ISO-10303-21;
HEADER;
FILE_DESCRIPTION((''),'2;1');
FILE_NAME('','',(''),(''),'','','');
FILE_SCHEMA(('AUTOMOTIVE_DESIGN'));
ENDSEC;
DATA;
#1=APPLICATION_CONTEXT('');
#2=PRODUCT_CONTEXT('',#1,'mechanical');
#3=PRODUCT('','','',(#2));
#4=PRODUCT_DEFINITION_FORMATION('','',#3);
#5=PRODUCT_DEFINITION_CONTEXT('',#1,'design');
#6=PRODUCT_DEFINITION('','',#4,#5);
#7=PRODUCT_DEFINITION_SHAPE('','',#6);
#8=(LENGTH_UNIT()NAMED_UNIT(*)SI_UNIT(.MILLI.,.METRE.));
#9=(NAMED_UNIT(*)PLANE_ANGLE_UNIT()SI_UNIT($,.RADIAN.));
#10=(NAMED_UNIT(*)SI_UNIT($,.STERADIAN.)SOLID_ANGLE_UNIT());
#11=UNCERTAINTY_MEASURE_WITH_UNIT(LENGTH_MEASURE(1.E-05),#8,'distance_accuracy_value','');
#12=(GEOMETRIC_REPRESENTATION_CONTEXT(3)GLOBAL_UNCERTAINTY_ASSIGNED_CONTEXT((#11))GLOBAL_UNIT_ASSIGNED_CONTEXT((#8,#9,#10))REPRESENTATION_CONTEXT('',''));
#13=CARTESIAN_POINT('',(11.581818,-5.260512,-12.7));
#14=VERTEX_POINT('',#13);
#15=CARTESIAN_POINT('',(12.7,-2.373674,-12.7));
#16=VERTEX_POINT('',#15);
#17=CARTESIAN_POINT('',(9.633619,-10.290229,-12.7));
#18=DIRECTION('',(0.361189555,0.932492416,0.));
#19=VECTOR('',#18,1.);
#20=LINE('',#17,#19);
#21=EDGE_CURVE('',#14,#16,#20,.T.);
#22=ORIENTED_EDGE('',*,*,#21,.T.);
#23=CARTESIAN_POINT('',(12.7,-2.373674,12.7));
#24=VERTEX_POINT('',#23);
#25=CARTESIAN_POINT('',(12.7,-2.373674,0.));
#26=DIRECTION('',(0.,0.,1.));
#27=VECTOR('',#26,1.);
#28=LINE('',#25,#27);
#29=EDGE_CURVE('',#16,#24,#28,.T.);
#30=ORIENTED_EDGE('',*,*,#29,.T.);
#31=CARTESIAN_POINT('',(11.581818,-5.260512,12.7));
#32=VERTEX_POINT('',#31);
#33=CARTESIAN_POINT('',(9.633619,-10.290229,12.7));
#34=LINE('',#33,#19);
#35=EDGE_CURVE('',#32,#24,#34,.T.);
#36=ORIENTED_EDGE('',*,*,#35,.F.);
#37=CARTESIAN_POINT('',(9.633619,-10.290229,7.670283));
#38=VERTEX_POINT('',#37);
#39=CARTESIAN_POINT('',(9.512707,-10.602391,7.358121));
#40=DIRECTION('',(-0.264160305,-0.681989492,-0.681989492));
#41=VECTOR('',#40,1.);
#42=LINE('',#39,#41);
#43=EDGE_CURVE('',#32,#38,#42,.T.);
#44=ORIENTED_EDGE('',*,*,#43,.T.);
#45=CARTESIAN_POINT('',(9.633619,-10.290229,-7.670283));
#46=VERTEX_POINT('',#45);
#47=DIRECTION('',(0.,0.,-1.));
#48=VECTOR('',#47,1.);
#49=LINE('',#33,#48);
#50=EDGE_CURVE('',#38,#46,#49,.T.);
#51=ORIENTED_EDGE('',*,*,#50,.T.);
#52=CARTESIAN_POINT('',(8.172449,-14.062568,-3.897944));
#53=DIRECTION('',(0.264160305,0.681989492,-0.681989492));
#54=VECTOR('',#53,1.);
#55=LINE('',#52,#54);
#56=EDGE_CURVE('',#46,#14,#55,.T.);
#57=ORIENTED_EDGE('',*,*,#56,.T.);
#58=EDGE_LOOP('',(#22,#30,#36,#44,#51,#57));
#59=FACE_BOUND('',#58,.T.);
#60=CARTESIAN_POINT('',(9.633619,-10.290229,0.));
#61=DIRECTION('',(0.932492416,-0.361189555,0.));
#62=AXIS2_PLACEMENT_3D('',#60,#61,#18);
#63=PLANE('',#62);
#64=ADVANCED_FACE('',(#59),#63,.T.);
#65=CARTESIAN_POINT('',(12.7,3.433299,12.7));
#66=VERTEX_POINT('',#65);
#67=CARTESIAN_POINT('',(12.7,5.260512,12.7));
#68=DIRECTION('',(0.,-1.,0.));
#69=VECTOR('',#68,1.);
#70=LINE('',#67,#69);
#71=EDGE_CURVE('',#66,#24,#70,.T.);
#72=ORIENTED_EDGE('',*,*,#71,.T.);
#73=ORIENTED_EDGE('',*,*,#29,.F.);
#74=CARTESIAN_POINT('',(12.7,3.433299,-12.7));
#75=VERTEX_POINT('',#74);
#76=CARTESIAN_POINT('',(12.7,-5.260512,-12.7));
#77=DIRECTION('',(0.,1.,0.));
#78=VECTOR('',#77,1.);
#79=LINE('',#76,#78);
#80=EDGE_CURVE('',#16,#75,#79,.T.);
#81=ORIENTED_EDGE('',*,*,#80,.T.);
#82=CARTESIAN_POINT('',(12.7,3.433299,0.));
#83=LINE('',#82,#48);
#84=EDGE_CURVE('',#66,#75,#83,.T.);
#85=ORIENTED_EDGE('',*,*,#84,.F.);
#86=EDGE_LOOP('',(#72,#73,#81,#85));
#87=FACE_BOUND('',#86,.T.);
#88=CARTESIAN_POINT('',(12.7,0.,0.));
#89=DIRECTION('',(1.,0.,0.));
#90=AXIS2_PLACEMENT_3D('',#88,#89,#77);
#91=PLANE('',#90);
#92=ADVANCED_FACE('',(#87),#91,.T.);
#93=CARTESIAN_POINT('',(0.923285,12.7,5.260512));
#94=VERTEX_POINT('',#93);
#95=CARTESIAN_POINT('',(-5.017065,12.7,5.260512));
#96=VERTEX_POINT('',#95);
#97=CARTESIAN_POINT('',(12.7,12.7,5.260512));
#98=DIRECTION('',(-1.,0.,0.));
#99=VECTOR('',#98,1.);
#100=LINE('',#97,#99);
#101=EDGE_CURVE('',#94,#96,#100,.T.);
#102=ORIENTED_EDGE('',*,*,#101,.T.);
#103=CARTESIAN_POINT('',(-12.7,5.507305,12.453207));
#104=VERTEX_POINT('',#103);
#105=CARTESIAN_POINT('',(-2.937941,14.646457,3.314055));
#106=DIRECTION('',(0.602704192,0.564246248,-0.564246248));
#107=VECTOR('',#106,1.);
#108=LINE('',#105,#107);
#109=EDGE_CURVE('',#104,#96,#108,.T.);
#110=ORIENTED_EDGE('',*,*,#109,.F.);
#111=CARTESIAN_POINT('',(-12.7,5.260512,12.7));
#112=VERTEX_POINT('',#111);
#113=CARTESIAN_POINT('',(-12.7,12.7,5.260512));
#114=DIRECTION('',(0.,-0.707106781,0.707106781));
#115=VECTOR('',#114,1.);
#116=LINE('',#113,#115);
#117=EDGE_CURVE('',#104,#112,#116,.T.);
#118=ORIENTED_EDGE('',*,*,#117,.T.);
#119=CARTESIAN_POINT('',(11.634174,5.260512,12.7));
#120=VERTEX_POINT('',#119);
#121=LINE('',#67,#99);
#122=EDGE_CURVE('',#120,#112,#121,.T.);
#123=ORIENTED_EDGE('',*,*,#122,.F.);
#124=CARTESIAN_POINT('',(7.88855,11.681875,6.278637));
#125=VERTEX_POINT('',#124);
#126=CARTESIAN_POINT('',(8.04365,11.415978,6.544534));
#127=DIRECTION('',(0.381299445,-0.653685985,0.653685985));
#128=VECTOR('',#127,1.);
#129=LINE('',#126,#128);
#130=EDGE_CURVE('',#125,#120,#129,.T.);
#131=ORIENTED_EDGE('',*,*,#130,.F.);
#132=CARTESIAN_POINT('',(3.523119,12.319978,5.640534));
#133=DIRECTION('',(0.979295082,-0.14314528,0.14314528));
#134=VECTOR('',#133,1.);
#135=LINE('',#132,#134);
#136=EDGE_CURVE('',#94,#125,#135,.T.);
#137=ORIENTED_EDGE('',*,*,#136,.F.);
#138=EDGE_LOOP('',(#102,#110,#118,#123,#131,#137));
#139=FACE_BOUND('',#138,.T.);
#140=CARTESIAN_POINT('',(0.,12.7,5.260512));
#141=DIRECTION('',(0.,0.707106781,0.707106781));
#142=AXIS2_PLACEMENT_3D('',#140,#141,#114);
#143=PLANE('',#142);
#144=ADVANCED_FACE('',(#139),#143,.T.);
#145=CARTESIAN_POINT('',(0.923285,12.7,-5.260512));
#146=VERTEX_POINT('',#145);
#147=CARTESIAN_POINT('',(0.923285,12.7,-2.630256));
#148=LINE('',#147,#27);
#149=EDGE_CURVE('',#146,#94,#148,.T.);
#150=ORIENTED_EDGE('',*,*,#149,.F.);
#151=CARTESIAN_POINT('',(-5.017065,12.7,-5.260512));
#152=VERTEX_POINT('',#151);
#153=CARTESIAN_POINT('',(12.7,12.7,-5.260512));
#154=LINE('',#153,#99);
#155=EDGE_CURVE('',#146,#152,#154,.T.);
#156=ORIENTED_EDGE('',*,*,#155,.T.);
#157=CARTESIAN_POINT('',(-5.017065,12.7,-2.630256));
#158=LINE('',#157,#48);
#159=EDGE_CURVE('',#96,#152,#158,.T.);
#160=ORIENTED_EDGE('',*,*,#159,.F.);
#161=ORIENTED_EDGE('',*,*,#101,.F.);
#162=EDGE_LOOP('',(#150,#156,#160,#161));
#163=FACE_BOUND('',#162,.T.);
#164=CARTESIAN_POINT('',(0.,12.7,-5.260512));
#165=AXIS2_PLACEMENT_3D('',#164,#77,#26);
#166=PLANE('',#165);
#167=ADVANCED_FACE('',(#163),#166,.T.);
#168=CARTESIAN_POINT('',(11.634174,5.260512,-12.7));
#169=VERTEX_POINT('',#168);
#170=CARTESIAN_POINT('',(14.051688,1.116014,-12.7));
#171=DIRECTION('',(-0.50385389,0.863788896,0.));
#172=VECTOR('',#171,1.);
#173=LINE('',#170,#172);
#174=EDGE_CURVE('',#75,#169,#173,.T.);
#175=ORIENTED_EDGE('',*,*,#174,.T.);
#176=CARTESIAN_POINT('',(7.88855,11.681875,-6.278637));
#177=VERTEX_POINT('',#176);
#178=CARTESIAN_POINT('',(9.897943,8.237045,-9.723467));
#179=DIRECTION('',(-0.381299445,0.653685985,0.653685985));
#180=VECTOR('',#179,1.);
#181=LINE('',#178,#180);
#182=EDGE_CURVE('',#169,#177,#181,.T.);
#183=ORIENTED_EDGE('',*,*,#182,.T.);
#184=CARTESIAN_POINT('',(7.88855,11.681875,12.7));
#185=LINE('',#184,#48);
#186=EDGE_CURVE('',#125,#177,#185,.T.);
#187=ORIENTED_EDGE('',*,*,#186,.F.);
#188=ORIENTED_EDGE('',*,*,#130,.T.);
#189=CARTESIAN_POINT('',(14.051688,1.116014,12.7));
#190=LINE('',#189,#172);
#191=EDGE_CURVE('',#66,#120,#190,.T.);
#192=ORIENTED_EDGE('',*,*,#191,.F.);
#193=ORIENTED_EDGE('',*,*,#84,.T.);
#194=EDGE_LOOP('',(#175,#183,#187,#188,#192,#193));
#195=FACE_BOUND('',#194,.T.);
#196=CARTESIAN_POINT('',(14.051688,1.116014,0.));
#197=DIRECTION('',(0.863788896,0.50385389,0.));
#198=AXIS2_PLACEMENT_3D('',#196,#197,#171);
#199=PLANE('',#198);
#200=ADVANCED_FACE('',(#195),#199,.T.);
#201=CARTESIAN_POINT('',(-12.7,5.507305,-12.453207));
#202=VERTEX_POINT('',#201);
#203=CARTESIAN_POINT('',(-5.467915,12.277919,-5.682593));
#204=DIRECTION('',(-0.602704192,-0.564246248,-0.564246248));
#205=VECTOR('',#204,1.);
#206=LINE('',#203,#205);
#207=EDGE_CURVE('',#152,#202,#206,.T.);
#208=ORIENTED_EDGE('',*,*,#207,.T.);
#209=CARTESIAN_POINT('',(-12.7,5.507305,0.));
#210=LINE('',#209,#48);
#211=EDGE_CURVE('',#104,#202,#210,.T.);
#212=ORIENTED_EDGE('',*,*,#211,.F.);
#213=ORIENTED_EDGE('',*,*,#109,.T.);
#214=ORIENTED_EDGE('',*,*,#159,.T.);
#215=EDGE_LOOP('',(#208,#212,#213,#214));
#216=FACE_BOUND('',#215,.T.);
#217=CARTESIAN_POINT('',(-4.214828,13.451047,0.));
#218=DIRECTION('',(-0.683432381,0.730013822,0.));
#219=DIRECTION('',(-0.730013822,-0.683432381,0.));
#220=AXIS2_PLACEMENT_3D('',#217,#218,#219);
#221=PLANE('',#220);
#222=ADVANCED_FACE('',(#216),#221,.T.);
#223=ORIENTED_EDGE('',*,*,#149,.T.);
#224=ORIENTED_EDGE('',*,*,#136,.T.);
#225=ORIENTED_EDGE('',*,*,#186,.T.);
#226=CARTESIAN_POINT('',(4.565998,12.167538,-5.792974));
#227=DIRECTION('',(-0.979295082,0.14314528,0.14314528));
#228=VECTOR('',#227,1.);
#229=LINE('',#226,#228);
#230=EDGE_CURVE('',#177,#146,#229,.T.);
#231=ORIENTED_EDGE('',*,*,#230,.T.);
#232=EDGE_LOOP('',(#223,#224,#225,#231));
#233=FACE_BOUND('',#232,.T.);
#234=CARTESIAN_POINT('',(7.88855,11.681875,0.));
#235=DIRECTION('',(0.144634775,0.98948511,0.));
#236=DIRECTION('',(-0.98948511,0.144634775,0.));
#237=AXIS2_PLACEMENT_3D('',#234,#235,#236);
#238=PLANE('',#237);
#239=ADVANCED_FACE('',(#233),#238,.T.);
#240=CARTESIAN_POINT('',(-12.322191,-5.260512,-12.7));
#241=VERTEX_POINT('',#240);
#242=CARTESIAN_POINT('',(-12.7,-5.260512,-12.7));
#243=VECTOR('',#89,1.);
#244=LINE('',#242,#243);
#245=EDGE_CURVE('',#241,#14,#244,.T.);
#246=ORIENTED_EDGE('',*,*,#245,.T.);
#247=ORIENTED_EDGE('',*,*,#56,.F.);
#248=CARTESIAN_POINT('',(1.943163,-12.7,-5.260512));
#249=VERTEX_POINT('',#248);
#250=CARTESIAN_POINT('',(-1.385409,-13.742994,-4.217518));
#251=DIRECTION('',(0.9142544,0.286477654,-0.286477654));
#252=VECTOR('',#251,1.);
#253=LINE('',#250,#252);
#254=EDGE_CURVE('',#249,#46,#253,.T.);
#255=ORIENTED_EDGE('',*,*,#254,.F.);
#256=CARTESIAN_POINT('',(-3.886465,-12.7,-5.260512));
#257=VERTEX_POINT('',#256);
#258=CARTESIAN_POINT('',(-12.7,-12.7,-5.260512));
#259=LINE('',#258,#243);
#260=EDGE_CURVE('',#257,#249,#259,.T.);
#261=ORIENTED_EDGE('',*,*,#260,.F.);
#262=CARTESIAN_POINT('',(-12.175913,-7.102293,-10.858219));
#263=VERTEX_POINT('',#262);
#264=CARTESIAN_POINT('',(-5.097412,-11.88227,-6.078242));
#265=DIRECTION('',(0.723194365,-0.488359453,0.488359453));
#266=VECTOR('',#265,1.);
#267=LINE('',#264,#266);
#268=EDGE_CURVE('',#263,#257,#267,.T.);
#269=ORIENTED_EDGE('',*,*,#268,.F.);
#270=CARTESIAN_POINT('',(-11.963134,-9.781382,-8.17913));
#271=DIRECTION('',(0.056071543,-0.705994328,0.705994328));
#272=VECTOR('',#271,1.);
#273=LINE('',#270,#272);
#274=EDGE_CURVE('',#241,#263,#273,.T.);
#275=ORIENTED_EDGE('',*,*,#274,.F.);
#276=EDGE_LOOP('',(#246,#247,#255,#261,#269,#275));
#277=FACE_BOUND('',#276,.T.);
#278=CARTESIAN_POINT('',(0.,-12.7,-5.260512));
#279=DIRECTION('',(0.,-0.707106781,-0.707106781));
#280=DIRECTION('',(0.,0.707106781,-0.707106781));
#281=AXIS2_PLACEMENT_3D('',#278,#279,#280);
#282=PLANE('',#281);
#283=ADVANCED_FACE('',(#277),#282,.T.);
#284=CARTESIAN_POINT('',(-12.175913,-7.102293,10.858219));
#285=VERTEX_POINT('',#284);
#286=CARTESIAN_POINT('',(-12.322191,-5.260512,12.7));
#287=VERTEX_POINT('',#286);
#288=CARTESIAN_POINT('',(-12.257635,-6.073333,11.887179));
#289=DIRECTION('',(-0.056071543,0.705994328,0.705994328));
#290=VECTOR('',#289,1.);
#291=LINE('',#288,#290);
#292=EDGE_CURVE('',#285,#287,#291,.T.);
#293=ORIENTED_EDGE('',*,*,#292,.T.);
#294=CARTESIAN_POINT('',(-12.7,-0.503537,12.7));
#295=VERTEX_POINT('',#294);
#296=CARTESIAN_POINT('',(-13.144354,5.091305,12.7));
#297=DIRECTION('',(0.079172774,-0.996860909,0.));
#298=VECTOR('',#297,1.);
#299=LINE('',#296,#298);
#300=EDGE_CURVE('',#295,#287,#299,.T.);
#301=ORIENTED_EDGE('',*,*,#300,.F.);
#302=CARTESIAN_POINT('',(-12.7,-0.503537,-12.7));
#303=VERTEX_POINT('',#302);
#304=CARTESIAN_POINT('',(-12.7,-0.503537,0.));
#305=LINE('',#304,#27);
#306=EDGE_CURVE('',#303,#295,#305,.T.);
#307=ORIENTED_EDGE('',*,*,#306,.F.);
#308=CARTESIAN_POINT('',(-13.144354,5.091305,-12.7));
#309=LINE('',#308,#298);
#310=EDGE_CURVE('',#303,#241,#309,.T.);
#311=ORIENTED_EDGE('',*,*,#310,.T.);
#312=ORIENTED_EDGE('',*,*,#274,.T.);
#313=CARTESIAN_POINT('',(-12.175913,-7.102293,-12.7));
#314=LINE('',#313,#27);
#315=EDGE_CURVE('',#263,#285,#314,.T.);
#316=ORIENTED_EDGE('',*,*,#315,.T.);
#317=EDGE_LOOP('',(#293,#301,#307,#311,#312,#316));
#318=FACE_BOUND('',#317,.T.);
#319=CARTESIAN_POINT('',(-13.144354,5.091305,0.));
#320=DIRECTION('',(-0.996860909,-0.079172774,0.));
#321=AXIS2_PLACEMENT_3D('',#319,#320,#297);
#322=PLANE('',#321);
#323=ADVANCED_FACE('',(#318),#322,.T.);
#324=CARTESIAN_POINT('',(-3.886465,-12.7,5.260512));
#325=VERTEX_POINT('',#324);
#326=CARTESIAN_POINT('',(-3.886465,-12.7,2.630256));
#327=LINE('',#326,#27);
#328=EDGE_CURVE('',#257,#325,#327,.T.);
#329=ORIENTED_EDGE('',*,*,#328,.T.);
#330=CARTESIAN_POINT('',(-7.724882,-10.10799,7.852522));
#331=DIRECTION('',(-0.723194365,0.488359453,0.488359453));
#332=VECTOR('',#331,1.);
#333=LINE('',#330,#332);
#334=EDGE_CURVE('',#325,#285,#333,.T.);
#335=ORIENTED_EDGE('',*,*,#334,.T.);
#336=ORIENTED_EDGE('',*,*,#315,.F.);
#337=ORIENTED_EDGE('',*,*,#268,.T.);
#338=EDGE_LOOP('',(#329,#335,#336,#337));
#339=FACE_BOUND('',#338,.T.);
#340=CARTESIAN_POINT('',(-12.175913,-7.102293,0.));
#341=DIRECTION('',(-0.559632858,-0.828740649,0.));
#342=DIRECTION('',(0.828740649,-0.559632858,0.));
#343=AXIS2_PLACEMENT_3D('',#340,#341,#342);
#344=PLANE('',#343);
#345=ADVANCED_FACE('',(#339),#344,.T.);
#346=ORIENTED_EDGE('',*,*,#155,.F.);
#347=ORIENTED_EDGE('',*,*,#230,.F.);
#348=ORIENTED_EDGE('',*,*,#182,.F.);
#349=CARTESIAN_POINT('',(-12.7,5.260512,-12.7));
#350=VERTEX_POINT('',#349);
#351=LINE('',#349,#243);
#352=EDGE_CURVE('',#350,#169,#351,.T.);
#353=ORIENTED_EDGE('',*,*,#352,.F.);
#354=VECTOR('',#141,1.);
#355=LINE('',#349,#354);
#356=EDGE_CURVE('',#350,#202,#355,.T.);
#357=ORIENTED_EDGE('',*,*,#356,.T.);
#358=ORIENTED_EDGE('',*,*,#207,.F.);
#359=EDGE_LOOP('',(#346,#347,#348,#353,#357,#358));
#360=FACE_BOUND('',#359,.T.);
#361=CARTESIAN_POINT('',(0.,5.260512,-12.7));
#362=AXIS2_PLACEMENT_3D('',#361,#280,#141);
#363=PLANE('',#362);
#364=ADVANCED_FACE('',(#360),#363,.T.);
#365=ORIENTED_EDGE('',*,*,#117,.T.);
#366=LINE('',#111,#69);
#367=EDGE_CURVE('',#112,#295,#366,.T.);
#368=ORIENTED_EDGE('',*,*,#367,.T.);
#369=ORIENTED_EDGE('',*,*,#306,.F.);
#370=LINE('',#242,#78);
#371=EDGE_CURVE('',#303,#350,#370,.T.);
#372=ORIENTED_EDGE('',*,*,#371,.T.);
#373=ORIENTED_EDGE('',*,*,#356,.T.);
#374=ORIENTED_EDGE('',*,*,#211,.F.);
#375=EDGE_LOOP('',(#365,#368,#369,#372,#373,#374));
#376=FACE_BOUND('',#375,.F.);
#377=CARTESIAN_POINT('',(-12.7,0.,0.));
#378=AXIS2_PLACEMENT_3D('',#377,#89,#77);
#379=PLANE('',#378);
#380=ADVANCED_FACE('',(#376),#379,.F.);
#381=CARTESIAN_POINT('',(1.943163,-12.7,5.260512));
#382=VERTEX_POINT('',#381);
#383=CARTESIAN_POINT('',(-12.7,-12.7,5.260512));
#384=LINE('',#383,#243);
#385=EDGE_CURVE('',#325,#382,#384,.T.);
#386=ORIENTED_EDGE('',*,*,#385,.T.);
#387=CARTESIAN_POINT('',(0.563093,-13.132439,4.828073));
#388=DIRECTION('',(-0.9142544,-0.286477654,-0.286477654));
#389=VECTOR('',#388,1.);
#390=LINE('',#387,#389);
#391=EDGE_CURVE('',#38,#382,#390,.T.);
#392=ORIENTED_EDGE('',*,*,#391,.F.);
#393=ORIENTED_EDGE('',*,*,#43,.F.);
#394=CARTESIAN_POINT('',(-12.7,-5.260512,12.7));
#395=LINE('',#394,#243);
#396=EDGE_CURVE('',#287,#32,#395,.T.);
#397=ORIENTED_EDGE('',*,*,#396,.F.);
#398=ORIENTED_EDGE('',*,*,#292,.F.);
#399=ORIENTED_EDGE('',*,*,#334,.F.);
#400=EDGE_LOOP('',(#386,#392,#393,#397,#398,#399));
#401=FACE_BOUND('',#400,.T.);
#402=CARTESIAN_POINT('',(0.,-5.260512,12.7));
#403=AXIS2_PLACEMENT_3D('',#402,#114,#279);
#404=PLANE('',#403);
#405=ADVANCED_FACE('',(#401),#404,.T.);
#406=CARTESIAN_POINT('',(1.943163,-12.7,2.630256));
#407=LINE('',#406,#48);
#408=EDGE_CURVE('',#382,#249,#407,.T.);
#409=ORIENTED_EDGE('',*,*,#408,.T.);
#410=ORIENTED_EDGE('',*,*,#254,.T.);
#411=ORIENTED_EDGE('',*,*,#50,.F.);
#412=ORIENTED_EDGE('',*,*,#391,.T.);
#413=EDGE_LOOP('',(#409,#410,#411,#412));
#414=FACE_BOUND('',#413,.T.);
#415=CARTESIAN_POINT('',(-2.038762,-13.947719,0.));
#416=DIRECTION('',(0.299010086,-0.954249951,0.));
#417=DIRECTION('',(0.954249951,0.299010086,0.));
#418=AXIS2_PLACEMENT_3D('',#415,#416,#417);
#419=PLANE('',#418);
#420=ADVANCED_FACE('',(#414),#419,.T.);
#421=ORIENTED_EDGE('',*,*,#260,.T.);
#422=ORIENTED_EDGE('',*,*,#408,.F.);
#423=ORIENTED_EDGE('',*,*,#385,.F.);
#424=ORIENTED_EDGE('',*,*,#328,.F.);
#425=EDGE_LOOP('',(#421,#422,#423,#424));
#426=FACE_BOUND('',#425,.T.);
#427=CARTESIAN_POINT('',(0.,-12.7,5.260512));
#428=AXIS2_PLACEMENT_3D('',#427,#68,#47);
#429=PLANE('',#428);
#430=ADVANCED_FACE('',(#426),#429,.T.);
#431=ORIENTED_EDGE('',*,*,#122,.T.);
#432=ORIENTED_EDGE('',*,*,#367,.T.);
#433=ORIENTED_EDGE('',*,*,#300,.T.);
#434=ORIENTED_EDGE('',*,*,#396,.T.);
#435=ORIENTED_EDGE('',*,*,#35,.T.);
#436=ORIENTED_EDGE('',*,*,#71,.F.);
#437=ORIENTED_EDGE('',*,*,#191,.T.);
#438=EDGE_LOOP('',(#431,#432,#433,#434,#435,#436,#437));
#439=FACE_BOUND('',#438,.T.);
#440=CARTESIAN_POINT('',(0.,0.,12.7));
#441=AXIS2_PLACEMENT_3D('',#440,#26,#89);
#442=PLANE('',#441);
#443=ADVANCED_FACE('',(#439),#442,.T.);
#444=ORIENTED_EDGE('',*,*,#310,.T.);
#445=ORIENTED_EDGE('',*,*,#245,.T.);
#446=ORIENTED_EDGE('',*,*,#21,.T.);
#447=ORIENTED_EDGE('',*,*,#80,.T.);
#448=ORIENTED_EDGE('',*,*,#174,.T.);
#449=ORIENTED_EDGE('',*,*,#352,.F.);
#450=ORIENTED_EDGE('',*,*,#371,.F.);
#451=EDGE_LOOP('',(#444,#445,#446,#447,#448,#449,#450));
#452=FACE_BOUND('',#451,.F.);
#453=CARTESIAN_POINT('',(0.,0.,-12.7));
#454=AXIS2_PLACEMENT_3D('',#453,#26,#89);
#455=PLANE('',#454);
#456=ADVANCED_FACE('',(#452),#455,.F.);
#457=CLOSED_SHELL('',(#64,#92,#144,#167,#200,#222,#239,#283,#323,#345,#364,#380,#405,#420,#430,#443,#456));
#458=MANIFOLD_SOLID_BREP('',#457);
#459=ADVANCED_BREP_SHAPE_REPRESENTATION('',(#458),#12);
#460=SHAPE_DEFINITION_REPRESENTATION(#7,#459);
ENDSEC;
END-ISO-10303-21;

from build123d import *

# Parameters (mm, degrees)
F1_DEPTH = 12.7
F3_DEPTH = 12.7


with BuildPart() as f1:
    # F0 (on Top) → F1 (new body, symmetric)
    with BuildSketch(Plane.XY):
        Polygon((7.88855, 11.681875), (-4.214828, 13.451047), (-13.144354, 5.091305), (-12.175913, -7.102293), (-2.038762, -13.947719), (9.633619, -10.290229), (14.051688, 1.116014), align=None)
    extrude(amount=F1_DEPTH, both=True)

    # F2 (on Right) → F3 (intersect, symmetric)
    with BuildSketch(Plane.YZ):
        Polygon((5.260512, 12.7), (-5.260512, 12.7), (-12.7, 5.260512), (-12.7, -5.260512), (-5.260512, -12.7), (5.260512, -12.7), (12.7, -5.260512), (12.7, 5.260512), align=None)
    extrude(amount=F3_DEPTH, both=True, mode=Mode.INTERSECT)


solid = f1.part
